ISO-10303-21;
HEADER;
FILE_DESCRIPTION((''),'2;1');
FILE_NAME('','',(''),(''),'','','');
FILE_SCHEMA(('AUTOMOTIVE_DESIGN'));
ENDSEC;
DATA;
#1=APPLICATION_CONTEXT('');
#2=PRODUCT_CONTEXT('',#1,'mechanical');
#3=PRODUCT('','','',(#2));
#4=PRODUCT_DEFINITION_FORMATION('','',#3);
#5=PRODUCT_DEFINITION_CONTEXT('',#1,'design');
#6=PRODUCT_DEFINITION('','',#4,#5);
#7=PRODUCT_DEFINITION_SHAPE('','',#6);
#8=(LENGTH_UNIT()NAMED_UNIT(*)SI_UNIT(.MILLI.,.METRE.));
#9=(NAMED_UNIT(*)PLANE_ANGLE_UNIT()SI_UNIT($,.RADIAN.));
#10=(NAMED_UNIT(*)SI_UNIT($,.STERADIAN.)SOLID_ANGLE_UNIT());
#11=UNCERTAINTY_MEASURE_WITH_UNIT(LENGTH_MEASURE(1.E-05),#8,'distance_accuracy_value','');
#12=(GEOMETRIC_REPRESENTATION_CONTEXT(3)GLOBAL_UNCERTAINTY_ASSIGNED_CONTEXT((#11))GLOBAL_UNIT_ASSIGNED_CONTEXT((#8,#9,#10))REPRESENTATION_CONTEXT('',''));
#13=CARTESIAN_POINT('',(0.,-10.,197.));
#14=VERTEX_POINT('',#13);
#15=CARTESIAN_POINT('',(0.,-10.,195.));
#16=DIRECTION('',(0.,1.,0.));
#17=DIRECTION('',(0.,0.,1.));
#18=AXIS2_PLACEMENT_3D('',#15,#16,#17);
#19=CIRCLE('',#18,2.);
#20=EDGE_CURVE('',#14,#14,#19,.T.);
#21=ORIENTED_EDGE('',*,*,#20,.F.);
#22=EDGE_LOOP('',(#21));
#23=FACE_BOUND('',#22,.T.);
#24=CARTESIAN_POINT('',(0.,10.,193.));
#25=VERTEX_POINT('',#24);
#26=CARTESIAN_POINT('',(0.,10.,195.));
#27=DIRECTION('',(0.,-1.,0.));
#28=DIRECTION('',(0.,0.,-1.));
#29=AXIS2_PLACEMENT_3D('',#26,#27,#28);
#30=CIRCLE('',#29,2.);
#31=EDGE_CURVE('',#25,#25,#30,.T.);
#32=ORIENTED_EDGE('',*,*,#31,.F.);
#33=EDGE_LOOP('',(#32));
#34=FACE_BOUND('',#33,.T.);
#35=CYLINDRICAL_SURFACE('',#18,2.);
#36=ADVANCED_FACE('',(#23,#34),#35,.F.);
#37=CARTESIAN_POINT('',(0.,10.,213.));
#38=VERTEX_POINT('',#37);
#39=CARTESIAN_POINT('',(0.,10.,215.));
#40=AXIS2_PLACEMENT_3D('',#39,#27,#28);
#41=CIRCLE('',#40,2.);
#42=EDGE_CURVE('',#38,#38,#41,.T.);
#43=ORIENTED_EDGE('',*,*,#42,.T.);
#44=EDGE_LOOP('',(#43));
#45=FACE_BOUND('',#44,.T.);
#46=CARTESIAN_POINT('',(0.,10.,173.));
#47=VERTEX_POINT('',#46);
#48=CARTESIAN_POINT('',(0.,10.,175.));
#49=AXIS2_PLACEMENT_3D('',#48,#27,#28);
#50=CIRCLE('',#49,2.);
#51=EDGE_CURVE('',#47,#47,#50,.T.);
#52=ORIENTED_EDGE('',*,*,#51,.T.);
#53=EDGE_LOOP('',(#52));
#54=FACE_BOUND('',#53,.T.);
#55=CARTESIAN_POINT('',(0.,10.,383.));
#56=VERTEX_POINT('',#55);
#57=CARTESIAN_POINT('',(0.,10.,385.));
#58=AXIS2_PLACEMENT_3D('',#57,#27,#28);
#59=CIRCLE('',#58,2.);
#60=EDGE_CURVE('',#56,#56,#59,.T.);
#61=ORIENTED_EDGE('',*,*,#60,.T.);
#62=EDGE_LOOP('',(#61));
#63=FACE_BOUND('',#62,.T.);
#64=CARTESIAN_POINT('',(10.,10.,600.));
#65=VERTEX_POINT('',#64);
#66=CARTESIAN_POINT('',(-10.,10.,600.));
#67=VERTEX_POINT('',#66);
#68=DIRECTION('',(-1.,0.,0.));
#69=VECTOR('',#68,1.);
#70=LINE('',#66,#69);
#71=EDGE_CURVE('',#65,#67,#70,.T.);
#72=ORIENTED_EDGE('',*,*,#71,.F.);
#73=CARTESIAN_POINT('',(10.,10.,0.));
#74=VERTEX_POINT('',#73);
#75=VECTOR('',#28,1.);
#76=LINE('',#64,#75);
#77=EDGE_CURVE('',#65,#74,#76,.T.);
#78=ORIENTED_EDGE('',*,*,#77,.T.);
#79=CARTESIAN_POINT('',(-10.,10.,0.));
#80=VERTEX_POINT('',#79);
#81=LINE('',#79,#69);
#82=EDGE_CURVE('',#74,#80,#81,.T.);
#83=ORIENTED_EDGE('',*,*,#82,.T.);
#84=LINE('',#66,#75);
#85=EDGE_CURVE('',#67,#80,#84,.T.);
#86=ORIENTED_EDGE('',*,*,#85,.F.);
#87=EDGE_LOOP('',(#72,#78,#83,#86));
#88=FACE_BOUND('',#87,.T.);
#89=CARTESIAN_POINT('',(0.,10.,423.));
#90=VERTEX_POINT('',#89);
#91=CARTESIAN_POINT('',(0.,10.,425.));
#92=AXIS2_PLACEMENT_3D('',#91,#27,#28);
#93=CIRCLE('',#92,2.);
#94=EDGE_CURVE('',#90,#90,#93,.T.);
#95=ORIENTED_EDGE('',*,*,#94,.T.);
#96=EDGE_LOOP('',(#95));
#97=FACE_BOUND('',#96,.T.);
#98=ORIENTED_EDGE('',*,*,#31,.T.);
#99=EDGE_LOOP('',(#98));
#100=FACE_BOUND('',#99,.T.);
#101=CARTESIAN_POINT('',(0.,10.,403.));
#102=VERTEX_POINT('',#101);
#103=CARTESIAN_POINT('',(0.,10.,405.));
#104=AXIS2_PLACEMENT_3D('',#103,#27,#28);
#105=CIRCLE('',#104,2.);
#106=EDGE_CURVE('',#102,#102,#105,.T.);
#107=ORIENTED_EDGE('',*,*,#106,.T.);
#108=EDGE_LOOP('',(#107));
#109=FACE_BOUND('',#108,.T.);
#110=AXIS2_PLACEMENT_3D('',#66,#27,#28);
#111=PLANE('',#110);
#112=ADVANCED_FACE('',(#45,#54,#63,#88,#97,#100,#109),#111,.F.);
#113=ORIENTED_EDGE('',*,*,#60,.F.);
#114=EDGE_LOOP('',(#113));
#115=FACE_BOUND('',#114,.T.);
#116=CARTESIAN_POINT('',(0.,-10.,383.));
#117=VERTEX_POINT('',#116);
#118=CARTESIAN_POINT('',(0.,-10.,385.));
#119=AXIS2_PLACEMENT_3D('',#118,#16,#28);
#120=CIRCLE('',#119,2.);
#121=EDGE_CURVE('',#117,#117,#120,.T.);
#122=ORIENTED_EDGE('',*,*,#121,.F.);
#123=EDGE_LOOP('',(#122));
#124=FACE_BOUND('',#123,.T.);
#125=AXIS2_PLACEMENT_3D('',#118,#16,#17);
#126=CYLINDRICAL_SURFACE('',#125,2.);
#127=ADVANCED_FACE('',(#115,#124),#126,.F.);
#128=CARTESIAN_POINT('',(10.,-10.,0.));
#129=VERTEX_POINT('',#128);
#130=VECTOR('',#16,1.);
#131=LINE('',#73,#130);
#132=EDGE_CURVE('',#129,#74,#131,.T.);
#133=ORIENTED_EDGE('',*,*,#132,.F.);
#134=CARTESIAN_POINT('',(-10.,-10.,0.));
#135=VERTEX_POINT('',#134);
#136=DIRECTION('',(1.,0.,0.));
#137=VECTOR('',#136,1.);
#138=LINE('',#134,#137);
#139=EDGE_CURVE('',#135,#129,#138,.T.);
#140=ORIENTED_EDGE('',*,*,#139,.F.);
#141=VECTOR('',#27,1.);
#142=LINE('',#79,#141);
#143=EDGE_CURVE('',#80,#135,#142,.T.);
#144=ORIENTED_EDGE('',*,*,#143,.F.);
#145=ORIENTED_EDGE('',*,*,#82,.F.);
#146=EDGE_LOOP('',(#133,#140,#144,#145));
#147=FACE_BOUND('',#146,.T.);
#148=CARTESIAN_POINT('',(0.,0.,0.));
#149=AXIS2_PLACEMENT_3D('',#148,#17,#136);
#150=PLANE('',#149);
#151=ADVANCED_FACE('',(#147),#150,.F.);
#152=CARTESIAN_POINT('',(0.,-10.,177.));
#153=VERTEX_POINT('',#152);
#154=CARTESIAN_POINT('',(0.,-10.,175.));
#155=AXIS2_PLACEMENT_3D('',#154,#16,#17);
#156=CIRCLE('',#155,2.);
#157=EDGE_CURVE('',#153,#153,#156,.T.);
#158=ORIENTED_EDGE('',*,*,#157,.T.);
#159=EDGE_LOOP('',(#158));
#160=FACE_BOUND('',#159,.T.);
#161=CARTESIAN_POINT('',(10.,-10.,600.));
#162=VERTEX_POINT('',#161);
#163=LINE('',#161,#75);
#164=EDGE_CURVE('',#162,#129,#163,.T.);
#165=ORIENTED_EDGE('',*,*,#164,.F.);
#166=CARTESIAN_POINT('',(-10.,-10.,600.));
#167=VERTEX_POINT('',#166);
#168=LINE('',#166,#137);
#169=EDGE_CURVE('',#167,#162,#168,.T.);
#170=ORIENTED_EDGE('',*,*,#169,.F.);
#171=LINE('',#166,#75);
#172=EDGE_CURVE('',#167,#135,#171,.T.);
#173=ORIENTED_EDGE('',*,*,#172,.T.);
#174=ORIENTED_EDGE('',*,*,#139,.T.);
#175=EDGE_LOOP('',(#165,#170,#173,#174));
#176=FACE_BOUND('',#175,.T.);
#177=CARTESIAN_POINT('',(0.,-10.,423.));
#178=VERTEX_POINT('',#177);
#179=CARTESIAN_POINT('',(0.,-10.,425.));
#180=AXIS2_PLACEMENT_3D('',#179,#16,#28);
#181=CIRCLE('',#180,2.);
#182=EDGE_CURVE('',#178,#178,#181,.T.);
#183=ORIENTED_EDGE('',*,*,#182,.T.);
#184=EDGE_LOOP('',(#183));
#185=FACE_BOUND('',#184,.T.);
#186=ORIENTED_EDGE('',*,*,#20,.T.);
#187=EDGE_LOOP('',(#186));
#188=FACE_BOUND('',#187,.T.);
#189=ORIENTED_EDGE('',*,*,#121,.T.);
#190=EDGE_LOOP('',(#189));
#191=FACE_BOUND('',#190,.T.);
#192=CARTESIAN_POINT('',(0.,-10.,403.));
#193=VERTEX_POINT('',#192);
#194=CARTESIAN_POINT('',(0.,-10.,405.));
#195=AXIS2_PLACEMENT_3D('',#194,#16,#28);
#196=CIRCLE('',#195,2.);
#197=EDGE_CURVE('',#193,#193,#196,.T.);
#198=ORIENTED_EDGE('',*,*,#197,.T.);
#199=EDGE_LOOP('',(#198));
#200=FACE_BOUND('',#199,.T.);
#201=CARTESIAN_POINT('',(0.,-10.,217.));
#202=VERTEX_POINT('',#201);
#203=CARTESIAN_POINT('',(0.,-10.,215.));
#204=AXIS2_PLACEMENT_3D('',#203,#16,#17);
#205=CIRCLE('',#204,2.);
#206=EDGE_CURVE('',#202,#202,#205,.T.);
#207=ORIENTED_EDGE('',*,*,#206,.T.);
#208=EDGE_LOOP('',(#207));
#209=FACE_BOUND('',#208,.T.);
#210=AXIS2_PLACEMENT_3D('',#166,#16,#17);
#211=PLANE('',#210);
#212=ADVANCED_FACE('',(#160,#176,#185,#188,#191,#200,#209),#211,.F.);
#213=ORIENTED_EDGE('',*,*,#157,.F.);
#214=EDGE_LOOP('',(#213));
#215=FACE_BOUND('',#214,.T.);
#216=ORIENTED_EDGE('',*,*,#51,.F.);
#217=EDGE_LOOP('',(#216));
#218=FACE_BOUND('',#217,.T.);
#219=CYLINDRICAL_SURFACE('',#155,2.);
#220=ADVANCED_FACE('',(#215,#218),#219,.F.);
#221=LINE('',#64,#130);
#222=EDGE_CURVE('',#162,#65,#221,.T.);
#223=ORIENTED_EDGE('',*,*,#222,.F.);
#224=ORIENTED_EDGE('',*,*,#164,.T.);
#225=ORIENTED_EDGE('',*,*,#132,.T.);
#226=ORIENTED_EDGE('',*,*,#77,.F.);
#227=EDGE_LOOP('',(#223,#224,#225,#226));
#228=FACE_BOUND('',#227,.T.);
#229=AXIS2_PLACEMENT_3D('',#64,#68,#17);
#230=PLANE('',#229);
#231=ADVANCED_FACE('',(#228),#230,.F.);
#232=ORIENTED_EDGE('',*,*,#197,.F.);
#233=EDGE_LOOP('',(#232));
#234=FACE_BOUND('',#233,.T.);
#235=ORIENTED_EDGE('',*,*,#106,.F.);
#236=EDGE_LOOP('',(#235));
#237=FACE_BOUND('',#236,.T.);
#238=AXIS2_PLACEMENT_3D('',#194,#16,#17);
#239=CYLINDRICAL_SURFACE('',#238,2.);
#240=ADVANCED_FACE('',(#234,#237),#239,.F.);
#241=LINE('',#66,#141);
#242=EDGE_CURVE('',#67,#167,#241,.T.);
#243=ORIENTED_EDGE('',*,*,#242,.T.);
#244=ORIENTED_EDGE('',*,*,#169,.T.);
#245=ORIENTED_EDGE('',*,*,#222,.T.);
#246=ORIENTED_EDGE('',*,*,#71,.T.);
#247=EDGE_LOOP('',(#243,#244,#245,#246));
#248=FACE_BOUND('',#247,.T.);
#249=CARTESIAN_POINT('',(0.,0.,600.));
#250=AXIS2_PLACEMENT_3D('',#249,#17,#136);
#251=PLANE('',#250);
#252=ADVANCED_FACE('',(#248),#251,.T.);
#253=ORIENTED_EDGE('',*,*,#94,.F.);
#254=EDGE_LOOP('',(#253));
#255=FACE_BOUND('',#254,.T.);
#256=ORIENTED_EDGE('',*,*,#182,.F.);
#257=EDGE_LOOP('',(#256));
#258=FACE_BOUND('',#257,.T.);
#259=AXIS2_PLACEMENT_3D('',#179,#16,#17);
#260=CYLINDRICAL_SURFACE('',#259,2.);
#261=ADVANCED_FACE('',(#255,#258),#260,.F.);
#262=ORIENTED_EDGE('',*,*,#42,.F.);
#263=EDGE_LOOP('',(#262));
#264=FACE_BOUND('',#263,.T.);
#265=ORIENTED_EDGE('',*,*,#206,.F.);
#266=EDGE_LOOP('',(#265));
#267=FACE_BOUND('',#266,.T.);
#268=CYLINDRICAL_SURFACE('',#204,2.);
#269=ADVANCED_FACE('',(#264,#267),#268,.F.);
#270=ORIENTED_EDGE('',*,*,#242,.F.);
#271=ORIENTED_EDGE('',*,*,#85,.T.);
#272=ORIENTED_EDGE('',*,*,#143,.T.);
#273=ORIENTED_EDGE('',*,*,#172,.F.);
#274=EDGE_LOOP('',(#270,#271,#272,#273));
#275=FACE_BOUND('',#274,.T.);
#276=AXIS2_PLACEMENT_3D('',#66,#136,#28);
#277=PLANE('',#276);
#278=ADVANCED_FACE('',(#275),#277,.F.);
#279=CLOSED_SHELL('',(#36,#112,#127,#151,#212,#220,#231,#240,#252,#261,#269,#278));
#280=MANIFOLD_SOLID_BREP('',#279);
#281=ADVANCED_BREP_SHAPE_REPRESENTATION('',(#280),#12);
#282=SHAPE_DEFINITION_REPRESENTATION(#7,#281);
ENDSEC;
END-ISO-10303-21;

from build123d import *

# Parameters (mm, degrees)
SKETCH_1_W               = 20
SKETCH_1_H               = 20
EXTRUDE_1_DEPTH          = 600
CUT_EXTRUDE_1_DEPTH      = 601.416522091
CUT_EXTRUDE_1_DEPTH_BACK = 601.416522091
SKETCH_2_R               = 2


with BuildPart() as part:
    # 草图1 → 凸台-拉伸1 (new body)
    with BuildSketch(Plane.XY):
        Rectangle(SKETCH_1_W, SKETCH_1_H)
    extrude(amount=EXTRUDE_1_DEPTH)

    # 草图2 → 切除-拉伸1 (cut, two sides: drawn at the far end of the back side and taken through both)
    with BuildSketch(Plane(origin=(0, 10, 0), x_dir=(1, 0, 0), z_dir=(0, 1, 0)).offset(-CUT_EXTRUDE_1_DEPTH_BACK)):
        with Locations(Location((0, -195, 0), (0, 0, 270))):
            Circle(SKETCH_2_R)
        with Locations(Location((0, -175, 0), (0, 0, 270))):
            Circle(SKETCH_2_R)
        with Locations(Location((0, -215, 0), (0, 0, 270))):
            Circle(SKETCH_2_R)
        with Locations(Location((0, -385, 0), (0, 0, 90))):
            Circle(SKETCH_2_R)
        with Locations(Location((0, -405, 0), (0, 0, 90))):
            Circle(SKETCH_2_R)
        with Locations(Location((0, -425, 0), (0, 0, 90))):
            Circle(SKETCH_2_R)
    extrude(amount=CUT_EXTRUDE_1_DEPTH + CUT_EXTRUDE_1_DEPTH_BACK, mode=Mode.SUBTRACT)


solid = part.part
